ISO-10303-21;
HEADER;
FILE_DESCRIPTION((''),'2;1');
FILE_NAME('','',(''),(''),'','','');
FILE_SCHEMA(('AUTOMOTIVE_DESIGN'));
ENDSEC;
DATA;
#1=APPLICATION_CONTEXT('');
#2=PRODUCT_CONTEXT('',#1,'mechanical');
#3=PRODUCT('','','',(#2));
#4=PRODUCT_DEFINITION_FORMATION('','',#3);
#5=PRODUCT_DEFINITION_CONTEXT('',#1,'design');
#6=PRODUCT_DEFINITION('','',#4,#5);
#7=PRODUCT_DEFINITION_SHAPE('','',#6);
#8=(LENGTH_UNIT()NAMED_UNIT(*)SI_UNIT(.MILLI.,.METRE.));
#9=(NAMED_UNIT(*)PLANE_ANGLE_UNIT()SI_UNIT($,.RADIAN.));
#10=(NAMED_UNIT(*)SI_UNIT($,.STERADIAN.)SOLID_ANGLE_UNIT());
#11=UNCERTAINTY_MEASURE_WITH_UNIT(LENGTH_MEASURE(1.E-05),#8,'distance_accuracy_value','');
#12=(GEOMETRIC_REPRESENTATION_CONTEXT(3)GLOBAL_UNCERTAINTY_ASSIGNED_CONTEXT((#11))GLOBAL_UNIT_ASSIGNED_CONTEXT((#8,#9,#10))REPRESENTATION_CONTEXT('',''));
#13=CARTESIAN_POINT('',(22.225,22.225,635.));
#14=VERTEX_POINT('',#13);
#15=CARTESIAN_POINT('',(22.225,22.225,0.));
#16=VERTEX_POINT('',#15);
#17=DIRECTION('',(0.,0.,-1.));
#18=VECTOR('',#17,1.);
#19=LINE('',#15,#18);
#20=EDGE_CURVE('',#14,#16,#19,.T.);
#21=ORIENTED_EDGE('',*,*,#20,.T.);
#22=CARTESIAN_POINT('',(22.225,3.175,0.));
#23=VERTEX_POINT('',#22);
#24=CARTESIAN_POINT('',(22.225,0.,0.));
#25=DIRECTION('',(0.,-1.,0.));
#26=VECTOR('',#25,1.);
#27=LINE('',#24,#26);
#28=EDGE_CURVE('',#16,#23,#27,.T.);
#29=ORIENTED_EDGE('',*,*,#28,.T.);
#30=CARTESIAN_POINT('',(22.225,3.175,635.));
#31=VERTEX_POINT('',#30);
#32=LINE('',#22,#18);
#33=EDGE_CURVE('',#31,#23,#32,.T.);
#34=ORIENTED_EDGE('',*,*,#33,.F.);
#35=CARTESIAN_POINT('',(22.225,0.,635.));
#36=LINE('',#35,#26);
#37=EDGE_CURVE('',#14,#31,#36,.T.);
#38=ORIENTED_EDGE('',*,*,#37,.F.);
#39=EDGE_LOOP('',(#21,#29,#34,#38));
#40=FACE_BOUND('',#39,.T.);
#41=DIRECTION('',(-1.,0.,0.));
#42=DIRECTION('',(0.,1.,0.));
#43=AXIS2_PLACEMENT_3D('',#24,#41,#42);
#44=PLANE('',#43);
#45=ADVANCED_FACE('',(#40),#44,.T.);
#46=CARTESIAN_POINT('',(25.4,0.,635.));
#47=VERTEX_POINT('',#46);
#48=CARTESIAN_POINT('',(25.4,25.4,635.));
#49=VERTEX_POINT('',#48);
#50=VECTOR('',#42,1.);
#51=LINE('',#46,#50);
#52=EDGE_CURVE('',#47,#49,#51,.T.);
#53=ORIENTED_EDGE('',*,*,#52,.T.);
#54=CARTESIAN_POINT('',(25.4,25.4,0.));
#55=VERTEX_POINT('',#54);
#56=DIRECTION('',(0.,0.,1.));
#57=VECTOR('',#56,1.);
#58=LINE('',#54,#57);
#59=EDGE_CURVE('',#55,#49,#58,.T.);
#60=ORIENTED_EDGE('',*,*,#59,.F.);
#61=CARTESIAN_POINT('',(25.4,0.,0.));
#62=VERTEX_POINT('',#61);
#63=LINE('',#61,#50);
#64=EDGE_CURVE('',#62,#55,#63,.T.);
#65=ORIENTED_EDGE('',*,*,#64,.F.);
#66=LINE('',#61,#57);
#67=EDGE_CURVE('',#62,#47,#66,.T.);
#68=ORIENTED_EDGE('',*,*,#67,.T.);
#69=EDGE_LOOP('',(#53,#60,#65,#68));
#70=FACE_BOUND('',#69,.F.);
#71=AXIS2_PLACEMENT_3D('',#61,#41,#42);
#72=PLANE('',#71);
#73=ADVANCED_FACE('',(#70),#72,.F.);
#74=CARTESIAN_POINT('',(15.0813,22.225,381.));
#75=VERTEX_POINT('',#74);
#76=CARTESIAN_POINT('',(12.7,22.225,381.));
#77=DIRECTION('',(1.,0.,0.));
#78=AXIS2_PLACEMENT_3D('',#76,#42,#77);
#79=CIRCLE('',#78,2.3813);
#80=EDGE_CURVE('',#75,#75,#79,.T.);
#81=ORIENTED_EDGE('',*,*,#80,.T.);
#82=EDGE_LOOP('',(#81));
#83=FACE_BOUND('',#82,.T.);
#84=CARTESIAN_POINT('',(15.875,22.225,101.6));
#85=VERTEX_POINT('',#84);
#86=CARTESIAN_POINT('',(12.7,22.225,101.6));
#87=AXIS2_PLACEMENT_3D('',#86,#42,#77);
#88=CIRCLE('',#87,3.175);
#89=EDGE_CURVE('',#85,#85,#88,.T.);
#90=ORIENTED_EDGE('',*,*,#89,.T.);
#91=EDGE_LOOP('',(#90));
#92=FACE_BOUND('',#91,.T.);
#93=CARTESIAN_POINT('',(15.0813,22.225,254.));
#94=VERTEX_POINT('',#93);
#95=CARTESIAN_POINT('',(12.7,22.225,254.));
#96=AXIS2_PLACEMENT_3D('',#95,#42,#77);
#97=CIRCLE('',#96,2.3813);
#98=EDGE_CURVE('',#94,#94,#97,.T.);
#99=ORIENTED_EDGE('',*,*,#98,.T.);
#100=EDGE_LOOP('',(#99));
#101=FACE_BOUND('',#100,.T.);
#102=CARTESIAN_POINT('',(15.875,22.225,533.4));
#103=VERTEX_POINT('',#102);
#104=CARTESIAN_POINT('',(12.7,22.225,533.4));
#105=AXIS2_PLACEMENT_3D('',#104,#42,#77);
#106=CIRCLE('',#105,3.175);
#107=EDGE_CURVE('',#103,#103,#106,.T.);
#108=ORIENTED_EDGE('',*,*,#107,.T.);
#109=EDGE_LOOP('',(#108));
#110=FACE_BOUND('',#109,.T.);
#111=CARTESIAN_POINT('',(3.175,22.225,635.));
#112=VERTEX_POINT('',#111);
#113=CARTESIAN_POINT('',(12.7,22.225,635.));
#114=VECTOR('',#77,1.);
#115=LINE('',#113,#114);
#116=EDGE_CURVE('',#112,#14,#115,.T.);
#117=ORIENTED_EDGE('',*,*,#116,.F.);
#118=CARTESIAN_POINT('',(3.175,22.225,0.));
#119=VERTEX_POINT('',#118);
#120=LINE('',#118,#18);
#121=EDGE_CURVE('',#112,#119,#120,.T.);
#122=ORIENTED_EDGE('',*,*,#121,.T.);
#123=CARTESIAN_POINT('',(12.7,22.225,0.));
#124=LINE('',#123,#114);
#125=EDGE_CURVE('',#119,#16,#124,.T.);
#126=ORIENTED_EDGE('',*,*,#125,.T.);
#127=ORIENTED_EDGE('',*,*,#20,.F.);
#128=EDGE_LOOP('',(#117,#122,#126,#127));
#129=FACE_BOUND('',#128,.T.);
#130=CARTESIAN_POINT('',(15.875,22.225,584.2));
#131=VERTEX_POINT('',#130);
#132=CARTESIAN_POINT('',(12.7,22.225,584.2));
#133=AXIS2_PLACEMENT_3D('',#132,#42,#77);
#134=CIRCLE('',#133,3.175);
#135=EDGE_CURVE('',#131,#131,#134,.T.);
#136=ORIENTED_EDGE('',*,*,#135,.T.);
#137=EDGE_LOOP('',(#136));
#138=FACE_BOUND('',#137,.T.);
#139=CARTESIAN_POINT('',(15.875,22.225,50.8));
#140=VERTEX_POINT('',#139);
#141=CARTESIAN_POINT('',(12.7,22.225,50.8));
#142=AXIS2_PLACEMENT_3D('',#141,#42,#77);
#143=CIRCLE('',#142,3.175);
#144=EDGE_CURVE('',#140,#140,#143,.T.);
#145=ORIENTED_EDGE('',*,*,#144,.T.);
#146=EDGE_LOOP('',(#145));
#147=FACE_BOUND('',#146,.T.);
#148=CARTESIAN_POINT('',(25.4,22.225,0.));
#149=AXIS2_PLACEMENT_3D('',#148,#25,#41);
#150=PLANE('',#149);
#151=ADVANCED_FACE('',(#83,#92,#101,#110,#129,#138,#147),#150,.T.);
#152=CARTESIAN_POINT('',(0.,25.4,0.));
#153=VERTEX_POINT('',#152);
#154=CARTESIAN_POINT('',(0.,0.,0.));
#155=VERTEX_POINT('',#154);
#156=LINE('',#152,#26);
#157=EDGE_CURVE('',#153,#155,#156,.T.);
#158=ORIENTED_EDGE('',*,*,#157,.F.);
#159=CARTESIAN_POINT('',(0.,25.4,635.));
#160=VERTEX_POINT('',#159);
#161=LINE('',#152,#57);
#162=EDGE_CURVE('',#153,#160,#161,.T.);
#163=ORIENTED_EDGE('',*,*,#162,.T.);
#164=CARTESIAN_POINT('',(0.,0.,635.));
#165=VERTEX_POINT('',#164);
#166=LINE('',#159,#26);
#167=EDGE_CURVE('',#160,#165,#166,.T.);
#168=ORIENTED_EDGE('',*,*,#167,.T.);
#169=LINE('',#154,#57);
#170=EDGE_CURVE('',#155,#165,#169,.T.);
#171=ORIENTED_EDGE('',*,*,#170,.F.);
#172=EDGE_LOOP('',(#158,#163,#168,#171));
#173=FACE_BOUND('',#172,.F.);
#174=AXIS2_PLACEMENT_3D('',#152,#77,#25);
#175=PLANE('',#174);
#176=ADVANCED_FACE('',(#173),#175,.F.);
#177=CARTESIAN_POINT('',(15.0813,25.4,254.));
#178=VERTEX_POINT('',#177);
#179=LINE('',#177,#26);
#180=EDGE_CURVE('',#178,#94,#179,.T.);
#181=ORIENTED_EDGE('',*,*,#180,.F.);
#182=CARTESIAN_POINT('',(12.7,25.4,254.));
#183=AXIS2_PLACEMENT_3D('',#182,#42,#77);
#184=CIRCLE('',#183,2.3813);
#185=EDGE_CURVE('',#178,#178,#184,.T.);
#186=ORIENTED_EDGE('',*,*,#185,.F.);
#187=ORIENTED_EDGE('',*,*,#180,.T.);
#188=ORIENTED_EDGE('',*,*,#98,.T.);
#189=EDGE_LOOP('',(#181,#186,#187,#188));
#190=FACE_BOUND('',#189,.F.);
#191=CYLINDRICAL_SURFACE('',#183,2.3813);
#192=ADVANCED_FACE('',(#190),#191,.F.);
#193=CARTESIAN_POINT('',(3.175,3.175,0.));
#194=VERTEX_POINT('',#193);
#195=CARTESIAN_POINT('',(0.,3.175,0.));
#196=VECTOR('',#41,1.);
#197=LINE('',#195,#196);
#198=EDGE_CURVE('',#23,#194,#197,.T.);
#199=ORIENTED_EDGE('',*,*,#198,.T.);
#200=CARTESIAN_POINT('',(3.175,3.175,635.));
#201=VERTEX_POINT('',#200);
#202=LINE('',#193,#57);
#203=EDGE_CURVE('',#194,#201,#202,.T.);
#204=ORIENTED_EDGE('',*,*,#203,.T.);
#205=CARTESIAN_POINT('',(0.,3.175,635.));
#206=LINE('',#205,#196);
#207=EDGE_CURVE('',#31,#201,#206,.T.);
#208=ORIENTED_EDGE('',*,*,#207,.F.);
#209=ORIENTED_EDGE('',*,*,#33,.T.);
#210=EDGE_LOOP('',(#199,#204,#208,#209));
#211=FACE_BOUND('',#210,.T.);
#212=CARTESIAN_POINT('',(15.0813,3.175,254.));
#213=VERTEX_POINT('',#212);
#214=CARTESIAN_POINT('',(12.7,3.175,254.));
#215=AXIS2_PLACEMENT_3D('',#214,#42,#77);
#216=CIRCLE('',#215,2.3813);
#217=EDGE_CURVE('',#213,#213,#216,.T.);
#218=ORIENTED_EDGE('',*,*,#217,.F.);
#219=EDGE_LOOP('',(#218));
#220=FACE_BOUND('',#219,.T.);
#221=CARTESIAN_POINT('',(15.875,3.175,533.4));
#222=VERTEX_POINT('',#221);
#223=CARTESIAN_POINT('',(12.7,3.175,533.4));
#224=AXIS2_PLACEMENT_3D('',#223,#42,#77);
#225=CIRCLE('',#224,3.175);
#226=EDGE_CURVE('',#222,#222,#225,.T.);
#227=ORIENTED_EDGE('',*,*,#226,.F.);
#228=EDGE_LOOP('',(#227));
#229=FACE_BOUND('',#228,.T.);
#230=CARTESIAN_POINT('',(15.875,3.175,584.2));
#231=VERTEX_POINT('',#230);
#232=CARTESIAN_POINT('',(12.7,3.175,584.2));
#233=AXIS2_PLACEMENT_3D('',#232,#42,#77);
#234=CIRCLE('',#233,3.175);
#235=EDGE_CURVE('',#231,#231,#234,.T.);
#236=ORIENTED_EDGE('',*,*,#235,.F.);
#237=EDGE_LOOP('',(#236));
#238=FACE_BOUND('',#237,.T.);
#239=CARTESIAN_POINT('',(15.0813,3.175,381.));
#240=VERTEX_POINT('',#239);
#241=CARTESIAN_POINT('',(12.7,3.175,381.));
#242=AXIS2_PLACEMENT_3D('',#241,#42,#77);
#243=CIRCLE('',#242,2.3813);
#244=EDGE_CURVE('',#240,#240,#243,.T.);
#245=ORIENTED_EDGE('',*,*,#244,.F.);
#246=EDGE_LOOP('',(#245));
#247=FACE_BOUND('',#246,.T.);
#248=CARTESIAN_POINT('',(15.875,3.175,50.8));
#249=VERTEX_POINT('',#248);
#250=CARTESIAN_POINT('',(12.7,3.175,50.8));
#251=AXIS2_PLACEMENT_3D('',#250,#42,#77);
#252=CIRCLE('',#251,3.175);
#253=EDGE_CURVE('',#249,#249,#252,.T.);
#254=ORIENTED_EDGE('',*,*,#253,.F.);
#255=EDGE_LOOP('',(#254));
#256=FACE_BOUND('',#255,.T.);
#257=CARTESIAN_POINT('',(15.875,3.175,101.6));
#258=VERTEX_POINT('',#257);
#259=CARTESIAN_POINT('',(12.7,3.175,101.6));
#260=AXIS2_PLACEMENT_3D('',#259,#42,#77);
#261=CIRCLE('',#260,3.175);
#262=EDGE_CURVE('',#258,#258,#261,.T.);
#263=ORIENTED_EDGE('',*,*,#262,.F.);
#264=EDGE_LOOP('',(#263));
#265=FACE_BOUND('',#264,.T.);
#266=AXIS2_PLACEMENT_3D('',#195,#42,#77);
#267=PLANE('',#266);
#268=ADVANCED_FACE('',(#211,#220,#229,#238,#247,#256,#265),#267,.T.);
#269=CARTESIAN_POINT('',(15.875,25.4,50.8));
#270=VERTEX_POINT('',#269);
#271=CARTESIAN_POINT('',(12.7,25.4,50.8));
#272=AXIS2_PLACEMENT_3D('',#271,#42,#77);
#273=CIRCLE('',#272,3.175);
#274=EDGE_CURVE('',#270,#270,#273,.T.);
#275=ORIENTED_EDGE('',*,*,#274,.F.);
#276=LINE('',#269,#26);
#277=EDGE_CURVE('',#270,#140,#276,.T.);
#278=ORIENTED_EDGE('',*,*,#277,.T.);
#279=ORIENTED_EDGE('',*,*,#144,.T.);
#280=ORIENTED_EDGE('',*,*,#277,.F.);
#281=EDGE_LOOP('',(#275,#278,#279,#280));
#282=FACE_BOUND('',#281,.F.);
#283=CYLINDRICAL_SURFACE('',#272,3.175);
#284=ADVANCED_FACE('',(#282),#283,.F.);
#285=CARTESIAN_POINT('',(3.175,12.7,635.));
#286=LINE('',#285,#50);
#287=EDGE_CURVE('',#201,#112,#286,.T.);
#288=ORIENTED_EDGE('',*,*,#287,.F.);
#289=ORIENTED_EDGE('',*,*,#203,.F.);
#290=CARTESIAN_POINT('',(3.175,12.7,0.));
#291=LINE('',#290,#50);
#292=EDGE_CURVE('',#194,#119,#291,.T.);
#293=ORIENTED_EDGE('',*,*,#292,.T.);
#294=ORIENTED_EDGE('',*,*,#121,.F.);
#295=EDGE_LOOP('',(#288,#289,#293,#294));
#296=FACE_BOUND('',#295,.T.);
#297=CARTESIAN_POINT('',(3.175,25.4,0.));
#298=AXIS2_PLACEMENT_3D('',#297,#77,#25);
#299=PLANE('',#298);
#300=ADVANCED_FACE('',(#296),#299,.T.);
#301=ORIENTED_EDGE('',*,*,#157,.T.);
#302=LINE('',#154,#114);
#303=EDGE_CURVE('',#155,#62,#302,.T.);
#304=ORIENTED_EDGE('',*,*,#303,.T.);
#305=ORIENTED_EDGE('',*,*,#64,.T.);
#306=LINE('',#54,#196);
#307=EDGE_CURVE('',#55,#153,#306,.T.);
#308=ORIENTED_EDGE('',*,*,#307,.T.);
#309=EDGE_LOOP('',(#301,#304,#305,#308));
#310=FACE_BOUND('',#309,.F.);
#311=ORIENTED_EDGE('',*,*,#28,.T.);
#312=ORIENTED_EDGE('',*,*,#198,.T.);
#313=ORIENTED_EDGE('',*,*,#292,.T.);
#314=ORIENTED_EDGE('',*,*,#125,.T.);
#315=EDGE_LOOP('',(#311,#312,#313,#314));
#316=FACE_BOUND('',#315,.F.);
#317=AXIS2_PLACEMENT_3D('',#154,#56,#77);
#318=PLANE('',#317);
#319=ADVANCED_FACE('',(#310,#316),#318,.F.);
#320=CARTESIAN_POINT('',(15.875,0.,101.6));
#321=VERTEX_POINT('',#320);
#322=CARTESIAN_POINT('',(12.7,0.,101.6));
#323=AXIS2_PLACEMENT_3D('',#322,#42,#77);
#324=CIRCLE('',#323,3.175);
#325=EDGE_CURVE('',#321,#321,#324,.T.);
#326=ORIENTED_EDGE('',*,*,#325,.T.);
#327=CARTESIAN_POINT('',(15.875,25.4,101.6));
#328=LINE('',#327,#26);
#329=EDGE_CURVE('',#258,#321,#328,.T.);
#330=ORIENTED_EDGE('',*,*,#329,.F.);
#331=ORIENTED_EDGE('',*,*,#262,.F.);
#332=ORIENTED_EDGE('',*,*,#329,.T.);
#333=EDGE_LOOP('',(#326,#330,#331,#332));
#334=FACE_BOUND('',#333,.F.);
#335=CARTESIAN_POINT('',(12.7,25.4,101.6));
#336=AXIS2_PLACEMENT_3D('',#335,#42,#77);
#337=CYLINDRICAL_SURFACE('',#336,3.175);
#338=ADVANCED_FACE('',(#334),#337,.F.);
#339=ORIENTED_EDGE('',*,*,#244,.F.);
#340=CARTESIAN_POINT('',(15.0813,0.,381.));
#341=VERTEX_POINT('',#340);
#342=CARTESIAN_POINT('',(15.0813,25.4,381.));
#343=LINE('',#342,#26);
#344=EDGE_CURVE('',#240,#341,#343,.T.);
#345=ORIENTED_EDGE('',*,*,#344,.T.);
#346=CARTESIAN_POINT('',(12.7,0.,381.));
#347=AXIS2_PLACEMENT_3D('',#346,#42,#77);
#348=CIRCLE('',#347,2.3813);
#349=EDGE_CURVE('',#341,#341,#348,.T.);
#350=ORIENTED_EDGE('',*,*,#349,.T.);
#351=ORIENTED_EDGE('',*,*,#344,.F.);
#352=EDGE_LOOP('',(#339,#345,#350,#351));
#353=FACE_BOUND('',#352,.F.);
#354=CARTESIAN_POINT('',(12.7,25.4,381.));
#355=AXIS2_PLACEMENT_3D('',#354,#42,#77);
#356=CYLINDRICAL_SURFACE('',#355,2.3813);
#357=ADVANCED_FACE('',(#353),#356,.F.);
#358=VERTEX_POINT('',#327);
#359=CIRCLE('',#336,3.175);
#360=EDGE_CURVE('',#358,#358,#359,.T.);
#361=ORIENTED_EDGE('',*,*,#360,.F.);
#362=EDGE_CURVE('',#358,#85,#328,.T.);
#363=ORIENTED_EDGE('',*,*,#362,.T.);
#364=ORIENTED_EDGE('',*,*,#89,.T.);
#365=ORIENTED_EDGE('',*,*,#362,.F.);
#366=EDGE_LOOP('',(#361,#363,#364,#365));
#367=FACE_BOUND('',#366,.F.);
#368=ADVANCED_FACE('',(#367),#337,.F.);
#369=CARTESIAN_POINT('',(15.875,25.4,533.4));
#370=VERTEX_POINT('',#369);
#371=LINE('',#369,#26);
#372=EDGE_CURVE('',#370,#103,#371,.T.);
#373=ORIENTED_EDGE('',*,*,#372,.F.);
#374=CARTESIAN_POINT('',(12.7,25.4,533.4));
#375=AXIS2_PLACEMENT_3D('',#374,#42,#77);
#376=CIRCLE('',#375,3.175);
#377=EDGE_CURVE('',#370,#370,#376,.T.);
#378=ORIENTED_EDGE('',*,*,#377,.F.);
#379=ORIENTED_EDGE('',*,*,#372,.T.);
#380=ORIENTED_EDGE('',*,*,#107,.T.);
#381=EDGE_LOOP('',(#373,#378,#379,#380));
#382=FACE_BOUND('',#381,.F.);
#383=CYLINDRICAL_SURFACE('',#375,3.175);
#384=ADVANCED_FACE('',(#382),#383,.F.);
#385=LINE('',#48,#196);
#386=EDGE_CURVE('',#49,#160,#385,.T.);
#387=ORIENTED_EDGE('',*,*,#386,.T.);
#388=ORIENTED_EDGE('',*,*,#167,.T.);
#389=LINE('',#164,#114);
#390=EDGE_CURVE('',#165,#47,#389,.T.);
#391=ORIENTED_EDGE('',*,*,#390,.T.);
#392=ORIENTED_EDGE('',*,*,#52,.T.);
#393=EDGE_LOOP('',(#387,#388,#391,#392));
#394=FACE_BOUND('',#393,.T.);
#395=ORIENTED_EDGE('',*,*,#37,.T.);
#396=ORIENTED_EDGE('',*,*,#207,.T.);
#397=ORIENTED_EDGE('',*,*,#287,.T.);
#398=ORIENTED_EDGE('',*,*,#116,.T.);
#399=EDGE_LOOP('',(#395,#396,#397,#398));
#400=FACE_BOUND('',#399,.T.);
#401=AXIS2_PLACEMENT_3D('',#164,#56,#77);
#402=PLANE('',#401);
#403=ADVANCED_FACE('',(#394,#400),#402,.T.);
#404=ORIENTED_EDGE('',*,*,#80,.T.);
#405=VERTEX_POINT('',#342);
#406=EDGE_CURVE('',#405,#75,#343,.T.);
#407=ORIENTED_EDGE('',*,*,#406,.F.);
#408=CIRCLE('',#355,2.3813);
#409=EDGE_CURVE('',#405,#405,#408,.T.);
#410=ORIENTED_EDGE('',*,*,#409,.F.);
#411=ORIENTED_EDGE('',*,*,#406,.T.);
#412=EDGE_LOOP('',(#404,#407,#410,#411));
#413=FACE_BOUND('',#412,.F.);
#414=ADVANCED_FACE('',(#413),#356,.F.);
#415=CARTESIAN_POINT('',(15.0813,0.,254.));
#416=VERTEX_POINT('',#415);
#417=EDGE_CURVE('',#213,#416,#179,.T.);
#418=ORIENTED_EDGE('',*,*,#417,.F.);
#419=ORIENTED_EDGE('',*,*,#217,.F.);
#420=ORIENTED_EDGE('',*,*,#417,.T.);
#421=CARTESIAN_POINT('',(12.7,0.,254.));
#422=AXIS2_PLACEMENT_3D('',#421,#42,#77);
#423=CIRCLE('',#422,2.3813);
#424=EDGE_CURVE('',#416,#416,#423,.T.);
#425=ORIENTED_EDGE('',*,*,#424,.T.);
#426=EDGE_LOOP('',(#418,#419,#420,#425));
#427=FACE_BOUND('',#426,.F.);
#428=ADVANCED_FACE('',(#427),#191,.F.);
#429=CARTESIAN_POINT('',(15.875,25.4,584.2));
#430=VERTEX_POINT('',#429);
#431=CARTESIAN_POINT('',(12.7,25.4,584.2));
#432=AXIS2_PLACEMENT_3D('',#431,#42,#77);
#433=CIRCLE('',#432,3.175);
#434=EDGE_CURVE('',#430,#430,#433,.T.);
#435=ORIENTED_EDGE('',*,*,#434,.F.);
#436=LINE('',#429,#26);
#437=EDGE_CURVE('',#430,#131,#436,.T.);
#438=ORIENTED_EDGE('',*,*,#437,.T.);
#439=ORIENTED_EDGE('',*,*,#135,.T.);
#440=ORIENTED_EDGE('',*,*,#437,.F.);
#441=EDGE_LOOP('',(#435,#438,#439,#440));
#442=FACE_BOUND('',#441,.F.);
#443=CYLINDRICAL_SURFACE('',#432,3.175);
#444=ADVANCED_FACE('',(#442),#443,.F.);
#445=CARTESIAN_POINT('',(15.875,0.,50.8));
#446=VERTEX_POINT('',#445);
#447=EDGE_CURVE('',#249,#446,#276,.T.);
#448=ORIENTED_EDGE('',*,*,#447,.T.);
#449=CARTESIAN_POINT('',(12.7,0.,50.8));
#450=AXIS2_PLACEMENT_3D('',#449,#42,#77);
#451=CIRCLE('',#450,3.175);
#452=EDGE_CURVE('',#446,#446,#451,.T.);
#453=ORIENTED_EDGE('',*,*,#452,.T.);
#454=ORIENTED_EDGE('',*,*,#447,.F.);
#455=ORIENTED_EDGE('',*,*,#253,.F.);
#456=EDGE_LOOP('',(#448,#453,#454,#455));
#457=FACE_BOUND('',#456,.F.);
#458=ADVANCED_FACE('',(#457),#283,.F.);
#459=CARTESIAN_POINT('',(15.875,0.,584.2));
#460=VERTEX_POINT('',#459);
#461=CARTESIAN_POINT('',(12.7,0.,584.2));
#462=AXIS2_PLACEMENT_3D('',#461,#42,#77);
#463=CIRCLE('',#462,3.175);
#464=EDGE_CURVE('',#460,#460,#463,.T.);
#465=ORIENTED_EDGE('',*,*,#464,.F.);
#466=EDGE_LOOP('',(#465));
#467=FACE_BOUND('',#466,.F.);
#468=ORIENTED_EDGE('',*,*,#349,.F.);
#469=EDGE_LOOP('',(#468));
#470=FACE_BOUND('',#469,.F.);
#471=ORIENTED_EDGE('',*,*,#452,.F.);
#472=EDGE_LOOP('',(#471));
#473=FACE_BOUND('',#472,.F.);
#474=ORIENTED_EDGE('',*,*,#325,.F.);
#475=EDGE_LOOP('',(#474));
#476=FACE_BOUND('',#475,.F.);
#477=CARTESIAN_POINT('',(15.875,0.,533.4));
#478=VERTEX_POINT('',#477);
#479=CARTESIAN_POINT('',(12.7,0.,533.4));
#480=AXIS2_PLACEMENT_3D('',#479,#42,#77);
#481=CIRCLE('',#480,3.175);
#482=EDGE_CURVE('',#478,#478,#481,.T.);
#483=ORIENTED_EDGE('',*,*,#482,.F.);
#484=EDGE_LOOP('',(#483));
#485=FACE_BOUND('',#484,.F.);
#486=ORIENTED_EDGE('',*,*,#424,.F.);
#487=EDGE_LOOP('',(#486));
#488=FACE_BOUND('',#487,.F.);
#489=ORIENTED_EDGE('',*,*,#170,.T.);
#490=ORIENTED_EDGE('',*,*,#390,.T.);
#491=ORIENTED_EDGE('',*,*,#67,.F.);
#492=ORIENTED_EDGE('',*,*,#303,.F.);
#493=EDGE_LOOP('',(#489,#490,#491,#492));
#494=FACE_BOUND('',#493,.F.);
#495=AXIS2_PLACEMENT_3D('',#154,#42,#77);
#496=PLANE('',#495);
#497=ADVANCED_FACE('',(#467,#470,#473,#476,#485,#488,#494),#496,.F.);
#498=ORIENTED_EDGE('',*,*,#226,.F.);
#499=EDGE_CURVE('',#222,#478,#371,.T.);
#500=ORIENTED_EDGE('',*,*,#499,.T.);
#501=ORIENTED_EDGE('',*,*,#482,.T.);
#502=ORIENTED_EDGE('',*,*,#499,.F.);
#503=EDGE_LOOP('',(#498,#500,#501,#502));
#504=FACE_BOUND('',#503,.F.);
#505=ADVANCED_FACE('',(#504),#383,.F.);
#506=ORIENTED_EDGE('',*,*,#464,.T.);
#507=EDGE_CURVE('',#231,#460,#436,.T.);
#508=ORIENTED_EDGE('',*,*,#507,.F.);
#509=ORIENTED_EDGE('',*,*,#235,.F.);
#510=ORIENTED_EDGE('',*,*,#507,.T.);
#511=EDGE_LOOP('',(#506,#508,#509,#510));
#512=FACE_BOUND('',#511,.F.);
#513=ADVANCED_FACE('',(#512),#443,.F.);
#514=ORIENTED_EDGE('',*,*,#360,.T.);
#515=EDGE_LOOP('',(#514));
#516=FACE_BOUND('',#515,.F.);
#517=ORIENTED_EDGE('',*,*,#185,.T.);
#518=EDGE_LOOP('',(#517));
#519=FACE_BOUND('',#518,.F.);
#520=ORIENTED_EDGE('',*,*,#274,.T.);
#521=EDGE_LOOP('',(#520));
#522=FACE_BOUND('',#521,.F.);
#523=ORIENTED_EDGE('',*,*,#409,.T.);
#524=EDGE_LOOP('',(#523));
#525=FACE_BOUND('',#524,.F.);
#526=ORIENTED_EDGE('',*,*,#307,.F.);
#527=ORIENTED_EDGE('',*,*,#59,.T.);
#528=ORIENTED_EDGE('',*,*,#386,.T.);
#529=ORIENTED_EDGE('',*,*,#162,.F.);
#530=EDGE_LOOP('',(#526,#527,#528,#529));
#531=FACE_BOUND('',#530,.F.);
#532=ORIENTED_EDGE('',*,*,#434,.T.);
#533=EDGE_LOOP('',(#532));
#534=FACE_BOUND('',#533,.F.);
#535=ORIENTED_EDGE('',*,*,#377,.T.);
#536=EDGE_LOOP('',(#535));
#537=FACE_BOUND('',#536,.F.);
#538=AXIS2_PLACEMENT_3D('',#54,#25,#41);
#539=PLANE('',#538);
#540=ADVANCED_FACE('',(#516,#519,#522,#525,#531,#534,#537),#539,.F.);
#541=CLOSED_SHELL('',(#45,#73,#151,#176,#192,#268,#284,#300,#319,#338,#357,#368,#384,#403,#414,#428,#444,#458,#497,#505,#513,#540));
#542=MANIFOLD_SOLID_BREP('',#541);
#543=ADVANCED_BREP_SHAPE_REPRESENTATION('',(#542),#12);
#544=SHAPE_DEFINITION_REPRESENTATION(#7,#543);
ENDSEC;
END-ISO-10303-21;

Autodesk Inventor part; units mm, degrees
ref_plane "YZ Plane" through (0, 0, 0) normal (1, 0, 0) x (0, 1, 0)
ref_plane "XZ Plane" through (0, 0, 0) normal (0, 1, 0) x (-1, 0, 0)
ref_plane "XY Plane" through (0, 0, 0) normal (0, 0, 1) x (1, 0, 0)
sketch "Sketch1" plane through (0, 0, 0) normal (0, 0, 1) x (1, 0, 0)
  line L0 (0, 0) -> (25.4, 0)
  line L1 (25.4, 0) -> (25.4, 25.4)
  line L2 (25.4, 25.4) -> (0, 25.4)
  line L3 (0, 25.4) -> (0, 0)
  dimension "d0" = 25.4
  dimension "d1" = 25.4
extrude "Extrusion1" add sketch "Sketch1" along normal blind 635
shell "Shell1" thickness 3.175 removed faces 2 at (8.4667, 16.9333, 0) at (16.9333, 8.4667, 635)
sketch "Sketch2" plane through (0, 25.4, 0) normal (0, 1, 0) x (1, 0, 0)
  line L0 (0, -635) -> (25.4, -635) projected
  line L1 (25.4, 0) -> (0, 0) projected
  line L2 (0, 0) -> (0, -635) projected
  circle A0 centre (12.7, -50.8) radius 3.175
  circle A1 centre (12.7, -101.6) radius 3.175
  circle A2 centre (12.7, -533.4) radius 3.175
  circle A3 centre (12.7, -584.2) radius 3.175
  dimension "d7" = 50.8
  dimension "d8" = 50.8
  dimension "d9" = 12.7
  dimension "d10" = 12.7
  dimension "d11" = 6.35
  dimension "d12" = 6.35
  dimension "d13" = 12.7
  dimension "d14" = 12.7
  dimension "d15" = 50.8
  dimension "d16" = 50.8
  dimension "d17" = 6.35
  dimension "d18" = 6.35
extrude "Extrusion2" cut sketch "Sketch2" against normal through all
sketch "Sketch3" plane through (0, 25.4, 0) normal (0, 1, 0) x (1, 0, 0)
  line L0 (25.4, 0) -> (0, 0) projected
  line L1 (0, 0) -> (0, -635) projected
  line L2 (12.7, 0) -> (12.7, -254) construction
  line L3 (12.7, -254) -> (12.7, -381) construction
  circle A0 centre (12.7, -254) radius 2.3813
  circle A1 centre (12.7, -381) radius 2.3813
  dimension "d21" = 4.7625
  dimension "d22" = 4.7625
  dimension "d23" = 127
  dimension "d24" = 254
extrude "Extrusion3" cut sketch "Sketch3" against normal through all
properties part number "DriveTrain_SideRail" material "Aluminum-6061"
